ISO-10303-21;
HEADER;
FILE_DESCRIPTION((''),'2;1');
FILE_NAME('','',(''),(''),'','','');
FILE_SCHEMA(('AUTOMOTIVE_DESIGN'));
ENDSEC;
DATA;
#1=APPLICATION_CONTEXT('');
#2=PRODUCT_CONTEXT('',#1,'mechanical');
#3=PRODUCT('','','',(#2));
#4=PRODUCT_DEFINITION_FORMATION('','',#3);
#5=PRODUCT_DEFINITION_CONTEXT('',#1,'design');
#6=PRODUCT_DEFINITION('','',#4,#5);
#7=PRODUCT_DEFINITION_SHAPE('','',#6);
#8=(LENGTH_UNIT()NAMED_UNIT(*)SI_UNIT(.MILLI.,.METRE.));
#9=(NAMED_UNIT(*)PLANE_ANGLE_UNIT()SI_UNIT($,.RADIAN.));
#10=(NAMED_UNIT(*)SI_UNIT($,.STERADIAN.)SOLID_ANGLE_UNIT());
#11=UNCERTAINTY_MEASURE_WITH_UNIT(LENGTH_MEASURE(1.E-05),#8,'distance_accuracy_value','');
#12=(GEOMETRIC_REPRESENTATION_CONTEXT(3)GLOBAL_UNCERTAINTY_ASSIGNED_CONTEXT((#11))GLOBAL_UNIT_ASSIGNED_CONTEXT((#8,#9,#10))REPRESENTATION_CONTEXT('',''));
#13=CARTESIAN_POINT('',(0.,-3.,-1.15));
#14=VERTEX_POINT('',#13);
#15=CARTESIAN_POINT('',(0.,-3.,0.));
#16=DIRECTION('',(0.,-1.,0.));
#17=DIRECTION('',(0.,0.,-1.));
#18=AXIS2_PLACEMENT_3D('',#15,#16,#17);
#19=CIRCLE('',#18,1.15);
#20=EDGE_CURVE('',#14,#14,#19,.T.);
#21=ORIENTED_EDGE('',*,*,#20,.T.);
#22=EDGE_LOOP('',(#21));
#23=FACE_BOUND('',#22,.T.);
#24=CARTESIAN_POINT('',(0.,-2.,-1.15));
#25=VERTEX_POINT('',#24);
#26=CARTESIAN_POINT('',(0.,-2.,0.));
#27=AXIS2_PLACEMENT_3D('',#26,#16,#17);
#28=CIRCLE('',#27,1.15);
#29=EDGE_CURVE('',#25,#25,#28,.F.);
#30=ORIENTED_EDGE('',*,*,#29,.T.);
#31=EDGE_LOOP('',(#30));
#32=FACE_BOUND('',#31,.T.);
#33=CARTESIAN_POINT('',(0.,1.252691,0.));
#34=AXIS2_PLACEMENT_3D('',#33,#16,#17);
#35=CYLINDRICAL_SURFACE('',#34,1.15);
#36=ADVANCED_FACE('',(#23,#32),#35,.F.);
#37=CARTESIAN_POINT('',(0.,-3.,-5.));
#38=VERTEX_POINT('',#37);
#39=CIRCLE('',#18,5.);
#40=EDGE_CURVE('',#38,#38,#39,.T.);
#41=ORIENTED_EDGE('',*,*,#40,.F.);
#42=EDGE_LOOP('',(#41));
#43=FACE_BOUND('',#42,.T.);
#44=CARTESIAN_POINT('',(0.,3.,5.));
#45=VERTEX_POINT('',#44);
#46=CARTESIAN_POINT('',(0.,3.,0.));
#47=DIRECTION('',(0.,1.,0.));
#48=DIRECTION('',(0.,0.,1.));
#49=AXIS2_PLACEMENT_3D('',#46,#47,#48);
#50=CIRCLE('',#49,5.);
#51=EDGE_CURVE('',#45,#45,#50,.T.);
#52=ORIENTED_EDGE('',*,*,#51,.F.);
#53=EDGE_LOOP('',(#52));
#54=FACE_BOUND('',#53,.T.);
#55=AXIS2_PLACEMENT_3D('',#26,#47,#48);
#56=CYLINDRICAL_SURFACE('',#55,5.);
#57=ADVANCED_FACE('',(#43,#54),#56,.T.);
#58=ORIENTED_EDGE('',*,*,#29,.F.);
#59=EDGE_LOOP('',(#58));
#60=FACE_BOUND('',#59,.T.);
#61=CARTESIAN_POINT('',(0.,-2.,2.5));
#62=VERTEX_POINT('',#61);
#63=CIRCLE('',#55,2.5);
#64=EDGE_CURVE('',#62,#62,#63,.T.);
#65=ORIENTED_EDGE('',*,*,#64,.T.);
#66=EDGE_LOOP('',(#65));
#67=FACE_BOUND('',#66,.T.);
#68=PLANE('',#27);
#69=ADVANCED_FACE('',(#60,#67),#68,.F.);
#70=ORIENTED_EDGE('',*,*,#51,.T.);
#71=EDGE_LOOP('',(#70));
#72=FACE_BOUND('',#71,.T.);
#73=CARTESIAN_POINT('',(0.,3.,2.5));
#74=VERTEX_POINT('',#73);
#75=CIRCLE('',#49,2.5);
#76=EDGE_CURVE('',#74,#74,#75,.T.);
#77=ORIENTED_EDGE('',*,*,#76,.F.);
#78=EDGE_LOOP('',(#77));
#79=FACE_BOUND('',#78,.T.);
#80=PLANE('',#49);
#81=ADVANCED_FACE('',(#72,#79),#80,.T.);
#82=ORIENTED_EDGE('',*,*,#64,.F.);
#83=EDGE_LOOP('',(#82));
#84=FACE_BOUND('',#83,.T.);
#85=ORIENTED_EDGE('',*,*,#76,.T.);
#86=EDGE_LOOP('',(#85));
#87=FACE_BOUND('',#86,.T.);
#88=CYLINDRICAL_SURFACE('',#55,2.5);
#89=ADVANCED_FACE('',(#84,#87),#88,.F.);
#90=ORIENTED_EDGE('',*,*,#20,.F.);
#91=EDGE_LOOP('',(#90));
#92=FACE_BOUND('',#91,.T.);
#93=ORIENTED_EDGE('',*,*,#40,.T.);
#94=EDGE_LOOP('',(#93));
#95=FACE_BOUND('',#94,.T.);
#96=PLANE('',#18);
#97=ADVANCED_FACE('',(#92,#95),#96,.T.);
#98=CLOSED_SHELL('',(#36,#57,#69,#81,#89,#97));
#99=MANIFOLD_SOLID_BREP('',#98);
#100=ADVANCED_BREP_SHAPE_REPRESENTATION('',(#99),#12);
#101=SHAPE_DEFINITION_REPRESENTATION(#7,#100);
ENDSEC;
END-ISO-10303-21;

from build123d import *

# Parameters (mm, degrees)
SKETCH1_R                = 5
SKETCH1_R_2              = 2.5
BOSS_EXTRUDE1_DEPTH      = 3
BOSS_EXTRUDE1_DEPTH_BACK = 2
SKETCH2_R                = 5
BOSS_EXTRUDE2_DEPTH      = 1
SKETCH3_R                = 1.15
CUT_EXTRUDE1_DEPTH       = 1


with BuildPart() as part:
    # Sketch1 → Boss-Extrude1 (new body, two sides)
    with BuildSketch(Plane(origin=(0, 0, 0), x_dir=(1, 0, 0), z_dir=(0, 1, 0))) as boss_extrude1_sk:
        Circle(SKETCH1_R)
        Circle(SKETCH1_R_2, mode=Mode.SUBTRACT)
    extrude(amount=BOSS_EXTRUDE1_DEPTH)
    extrude(boss_extrude1_sk.sketch, amount=-BOSS_EXTRUDE1_DEPTH_BACK)

    # Sketch2 → Boss-Extrude2 (add)
    with BuildSketch(Plane.XZ.offset(2)):
        Circle(SKETCH2_R)
    extrude(amount=BOSS_EXTRUDE2_DEPTH)

    # Sketch3 → Cut-Extrude1 (cut)
    with BuildSketch(Plane.XZ.offset(3)):
        Circle(SKETCH3_R)
    extrude(amount=-CUT_EXTRUDE1_DEPTH, mode=Mode.SUBTRACT)


solid = part.part
